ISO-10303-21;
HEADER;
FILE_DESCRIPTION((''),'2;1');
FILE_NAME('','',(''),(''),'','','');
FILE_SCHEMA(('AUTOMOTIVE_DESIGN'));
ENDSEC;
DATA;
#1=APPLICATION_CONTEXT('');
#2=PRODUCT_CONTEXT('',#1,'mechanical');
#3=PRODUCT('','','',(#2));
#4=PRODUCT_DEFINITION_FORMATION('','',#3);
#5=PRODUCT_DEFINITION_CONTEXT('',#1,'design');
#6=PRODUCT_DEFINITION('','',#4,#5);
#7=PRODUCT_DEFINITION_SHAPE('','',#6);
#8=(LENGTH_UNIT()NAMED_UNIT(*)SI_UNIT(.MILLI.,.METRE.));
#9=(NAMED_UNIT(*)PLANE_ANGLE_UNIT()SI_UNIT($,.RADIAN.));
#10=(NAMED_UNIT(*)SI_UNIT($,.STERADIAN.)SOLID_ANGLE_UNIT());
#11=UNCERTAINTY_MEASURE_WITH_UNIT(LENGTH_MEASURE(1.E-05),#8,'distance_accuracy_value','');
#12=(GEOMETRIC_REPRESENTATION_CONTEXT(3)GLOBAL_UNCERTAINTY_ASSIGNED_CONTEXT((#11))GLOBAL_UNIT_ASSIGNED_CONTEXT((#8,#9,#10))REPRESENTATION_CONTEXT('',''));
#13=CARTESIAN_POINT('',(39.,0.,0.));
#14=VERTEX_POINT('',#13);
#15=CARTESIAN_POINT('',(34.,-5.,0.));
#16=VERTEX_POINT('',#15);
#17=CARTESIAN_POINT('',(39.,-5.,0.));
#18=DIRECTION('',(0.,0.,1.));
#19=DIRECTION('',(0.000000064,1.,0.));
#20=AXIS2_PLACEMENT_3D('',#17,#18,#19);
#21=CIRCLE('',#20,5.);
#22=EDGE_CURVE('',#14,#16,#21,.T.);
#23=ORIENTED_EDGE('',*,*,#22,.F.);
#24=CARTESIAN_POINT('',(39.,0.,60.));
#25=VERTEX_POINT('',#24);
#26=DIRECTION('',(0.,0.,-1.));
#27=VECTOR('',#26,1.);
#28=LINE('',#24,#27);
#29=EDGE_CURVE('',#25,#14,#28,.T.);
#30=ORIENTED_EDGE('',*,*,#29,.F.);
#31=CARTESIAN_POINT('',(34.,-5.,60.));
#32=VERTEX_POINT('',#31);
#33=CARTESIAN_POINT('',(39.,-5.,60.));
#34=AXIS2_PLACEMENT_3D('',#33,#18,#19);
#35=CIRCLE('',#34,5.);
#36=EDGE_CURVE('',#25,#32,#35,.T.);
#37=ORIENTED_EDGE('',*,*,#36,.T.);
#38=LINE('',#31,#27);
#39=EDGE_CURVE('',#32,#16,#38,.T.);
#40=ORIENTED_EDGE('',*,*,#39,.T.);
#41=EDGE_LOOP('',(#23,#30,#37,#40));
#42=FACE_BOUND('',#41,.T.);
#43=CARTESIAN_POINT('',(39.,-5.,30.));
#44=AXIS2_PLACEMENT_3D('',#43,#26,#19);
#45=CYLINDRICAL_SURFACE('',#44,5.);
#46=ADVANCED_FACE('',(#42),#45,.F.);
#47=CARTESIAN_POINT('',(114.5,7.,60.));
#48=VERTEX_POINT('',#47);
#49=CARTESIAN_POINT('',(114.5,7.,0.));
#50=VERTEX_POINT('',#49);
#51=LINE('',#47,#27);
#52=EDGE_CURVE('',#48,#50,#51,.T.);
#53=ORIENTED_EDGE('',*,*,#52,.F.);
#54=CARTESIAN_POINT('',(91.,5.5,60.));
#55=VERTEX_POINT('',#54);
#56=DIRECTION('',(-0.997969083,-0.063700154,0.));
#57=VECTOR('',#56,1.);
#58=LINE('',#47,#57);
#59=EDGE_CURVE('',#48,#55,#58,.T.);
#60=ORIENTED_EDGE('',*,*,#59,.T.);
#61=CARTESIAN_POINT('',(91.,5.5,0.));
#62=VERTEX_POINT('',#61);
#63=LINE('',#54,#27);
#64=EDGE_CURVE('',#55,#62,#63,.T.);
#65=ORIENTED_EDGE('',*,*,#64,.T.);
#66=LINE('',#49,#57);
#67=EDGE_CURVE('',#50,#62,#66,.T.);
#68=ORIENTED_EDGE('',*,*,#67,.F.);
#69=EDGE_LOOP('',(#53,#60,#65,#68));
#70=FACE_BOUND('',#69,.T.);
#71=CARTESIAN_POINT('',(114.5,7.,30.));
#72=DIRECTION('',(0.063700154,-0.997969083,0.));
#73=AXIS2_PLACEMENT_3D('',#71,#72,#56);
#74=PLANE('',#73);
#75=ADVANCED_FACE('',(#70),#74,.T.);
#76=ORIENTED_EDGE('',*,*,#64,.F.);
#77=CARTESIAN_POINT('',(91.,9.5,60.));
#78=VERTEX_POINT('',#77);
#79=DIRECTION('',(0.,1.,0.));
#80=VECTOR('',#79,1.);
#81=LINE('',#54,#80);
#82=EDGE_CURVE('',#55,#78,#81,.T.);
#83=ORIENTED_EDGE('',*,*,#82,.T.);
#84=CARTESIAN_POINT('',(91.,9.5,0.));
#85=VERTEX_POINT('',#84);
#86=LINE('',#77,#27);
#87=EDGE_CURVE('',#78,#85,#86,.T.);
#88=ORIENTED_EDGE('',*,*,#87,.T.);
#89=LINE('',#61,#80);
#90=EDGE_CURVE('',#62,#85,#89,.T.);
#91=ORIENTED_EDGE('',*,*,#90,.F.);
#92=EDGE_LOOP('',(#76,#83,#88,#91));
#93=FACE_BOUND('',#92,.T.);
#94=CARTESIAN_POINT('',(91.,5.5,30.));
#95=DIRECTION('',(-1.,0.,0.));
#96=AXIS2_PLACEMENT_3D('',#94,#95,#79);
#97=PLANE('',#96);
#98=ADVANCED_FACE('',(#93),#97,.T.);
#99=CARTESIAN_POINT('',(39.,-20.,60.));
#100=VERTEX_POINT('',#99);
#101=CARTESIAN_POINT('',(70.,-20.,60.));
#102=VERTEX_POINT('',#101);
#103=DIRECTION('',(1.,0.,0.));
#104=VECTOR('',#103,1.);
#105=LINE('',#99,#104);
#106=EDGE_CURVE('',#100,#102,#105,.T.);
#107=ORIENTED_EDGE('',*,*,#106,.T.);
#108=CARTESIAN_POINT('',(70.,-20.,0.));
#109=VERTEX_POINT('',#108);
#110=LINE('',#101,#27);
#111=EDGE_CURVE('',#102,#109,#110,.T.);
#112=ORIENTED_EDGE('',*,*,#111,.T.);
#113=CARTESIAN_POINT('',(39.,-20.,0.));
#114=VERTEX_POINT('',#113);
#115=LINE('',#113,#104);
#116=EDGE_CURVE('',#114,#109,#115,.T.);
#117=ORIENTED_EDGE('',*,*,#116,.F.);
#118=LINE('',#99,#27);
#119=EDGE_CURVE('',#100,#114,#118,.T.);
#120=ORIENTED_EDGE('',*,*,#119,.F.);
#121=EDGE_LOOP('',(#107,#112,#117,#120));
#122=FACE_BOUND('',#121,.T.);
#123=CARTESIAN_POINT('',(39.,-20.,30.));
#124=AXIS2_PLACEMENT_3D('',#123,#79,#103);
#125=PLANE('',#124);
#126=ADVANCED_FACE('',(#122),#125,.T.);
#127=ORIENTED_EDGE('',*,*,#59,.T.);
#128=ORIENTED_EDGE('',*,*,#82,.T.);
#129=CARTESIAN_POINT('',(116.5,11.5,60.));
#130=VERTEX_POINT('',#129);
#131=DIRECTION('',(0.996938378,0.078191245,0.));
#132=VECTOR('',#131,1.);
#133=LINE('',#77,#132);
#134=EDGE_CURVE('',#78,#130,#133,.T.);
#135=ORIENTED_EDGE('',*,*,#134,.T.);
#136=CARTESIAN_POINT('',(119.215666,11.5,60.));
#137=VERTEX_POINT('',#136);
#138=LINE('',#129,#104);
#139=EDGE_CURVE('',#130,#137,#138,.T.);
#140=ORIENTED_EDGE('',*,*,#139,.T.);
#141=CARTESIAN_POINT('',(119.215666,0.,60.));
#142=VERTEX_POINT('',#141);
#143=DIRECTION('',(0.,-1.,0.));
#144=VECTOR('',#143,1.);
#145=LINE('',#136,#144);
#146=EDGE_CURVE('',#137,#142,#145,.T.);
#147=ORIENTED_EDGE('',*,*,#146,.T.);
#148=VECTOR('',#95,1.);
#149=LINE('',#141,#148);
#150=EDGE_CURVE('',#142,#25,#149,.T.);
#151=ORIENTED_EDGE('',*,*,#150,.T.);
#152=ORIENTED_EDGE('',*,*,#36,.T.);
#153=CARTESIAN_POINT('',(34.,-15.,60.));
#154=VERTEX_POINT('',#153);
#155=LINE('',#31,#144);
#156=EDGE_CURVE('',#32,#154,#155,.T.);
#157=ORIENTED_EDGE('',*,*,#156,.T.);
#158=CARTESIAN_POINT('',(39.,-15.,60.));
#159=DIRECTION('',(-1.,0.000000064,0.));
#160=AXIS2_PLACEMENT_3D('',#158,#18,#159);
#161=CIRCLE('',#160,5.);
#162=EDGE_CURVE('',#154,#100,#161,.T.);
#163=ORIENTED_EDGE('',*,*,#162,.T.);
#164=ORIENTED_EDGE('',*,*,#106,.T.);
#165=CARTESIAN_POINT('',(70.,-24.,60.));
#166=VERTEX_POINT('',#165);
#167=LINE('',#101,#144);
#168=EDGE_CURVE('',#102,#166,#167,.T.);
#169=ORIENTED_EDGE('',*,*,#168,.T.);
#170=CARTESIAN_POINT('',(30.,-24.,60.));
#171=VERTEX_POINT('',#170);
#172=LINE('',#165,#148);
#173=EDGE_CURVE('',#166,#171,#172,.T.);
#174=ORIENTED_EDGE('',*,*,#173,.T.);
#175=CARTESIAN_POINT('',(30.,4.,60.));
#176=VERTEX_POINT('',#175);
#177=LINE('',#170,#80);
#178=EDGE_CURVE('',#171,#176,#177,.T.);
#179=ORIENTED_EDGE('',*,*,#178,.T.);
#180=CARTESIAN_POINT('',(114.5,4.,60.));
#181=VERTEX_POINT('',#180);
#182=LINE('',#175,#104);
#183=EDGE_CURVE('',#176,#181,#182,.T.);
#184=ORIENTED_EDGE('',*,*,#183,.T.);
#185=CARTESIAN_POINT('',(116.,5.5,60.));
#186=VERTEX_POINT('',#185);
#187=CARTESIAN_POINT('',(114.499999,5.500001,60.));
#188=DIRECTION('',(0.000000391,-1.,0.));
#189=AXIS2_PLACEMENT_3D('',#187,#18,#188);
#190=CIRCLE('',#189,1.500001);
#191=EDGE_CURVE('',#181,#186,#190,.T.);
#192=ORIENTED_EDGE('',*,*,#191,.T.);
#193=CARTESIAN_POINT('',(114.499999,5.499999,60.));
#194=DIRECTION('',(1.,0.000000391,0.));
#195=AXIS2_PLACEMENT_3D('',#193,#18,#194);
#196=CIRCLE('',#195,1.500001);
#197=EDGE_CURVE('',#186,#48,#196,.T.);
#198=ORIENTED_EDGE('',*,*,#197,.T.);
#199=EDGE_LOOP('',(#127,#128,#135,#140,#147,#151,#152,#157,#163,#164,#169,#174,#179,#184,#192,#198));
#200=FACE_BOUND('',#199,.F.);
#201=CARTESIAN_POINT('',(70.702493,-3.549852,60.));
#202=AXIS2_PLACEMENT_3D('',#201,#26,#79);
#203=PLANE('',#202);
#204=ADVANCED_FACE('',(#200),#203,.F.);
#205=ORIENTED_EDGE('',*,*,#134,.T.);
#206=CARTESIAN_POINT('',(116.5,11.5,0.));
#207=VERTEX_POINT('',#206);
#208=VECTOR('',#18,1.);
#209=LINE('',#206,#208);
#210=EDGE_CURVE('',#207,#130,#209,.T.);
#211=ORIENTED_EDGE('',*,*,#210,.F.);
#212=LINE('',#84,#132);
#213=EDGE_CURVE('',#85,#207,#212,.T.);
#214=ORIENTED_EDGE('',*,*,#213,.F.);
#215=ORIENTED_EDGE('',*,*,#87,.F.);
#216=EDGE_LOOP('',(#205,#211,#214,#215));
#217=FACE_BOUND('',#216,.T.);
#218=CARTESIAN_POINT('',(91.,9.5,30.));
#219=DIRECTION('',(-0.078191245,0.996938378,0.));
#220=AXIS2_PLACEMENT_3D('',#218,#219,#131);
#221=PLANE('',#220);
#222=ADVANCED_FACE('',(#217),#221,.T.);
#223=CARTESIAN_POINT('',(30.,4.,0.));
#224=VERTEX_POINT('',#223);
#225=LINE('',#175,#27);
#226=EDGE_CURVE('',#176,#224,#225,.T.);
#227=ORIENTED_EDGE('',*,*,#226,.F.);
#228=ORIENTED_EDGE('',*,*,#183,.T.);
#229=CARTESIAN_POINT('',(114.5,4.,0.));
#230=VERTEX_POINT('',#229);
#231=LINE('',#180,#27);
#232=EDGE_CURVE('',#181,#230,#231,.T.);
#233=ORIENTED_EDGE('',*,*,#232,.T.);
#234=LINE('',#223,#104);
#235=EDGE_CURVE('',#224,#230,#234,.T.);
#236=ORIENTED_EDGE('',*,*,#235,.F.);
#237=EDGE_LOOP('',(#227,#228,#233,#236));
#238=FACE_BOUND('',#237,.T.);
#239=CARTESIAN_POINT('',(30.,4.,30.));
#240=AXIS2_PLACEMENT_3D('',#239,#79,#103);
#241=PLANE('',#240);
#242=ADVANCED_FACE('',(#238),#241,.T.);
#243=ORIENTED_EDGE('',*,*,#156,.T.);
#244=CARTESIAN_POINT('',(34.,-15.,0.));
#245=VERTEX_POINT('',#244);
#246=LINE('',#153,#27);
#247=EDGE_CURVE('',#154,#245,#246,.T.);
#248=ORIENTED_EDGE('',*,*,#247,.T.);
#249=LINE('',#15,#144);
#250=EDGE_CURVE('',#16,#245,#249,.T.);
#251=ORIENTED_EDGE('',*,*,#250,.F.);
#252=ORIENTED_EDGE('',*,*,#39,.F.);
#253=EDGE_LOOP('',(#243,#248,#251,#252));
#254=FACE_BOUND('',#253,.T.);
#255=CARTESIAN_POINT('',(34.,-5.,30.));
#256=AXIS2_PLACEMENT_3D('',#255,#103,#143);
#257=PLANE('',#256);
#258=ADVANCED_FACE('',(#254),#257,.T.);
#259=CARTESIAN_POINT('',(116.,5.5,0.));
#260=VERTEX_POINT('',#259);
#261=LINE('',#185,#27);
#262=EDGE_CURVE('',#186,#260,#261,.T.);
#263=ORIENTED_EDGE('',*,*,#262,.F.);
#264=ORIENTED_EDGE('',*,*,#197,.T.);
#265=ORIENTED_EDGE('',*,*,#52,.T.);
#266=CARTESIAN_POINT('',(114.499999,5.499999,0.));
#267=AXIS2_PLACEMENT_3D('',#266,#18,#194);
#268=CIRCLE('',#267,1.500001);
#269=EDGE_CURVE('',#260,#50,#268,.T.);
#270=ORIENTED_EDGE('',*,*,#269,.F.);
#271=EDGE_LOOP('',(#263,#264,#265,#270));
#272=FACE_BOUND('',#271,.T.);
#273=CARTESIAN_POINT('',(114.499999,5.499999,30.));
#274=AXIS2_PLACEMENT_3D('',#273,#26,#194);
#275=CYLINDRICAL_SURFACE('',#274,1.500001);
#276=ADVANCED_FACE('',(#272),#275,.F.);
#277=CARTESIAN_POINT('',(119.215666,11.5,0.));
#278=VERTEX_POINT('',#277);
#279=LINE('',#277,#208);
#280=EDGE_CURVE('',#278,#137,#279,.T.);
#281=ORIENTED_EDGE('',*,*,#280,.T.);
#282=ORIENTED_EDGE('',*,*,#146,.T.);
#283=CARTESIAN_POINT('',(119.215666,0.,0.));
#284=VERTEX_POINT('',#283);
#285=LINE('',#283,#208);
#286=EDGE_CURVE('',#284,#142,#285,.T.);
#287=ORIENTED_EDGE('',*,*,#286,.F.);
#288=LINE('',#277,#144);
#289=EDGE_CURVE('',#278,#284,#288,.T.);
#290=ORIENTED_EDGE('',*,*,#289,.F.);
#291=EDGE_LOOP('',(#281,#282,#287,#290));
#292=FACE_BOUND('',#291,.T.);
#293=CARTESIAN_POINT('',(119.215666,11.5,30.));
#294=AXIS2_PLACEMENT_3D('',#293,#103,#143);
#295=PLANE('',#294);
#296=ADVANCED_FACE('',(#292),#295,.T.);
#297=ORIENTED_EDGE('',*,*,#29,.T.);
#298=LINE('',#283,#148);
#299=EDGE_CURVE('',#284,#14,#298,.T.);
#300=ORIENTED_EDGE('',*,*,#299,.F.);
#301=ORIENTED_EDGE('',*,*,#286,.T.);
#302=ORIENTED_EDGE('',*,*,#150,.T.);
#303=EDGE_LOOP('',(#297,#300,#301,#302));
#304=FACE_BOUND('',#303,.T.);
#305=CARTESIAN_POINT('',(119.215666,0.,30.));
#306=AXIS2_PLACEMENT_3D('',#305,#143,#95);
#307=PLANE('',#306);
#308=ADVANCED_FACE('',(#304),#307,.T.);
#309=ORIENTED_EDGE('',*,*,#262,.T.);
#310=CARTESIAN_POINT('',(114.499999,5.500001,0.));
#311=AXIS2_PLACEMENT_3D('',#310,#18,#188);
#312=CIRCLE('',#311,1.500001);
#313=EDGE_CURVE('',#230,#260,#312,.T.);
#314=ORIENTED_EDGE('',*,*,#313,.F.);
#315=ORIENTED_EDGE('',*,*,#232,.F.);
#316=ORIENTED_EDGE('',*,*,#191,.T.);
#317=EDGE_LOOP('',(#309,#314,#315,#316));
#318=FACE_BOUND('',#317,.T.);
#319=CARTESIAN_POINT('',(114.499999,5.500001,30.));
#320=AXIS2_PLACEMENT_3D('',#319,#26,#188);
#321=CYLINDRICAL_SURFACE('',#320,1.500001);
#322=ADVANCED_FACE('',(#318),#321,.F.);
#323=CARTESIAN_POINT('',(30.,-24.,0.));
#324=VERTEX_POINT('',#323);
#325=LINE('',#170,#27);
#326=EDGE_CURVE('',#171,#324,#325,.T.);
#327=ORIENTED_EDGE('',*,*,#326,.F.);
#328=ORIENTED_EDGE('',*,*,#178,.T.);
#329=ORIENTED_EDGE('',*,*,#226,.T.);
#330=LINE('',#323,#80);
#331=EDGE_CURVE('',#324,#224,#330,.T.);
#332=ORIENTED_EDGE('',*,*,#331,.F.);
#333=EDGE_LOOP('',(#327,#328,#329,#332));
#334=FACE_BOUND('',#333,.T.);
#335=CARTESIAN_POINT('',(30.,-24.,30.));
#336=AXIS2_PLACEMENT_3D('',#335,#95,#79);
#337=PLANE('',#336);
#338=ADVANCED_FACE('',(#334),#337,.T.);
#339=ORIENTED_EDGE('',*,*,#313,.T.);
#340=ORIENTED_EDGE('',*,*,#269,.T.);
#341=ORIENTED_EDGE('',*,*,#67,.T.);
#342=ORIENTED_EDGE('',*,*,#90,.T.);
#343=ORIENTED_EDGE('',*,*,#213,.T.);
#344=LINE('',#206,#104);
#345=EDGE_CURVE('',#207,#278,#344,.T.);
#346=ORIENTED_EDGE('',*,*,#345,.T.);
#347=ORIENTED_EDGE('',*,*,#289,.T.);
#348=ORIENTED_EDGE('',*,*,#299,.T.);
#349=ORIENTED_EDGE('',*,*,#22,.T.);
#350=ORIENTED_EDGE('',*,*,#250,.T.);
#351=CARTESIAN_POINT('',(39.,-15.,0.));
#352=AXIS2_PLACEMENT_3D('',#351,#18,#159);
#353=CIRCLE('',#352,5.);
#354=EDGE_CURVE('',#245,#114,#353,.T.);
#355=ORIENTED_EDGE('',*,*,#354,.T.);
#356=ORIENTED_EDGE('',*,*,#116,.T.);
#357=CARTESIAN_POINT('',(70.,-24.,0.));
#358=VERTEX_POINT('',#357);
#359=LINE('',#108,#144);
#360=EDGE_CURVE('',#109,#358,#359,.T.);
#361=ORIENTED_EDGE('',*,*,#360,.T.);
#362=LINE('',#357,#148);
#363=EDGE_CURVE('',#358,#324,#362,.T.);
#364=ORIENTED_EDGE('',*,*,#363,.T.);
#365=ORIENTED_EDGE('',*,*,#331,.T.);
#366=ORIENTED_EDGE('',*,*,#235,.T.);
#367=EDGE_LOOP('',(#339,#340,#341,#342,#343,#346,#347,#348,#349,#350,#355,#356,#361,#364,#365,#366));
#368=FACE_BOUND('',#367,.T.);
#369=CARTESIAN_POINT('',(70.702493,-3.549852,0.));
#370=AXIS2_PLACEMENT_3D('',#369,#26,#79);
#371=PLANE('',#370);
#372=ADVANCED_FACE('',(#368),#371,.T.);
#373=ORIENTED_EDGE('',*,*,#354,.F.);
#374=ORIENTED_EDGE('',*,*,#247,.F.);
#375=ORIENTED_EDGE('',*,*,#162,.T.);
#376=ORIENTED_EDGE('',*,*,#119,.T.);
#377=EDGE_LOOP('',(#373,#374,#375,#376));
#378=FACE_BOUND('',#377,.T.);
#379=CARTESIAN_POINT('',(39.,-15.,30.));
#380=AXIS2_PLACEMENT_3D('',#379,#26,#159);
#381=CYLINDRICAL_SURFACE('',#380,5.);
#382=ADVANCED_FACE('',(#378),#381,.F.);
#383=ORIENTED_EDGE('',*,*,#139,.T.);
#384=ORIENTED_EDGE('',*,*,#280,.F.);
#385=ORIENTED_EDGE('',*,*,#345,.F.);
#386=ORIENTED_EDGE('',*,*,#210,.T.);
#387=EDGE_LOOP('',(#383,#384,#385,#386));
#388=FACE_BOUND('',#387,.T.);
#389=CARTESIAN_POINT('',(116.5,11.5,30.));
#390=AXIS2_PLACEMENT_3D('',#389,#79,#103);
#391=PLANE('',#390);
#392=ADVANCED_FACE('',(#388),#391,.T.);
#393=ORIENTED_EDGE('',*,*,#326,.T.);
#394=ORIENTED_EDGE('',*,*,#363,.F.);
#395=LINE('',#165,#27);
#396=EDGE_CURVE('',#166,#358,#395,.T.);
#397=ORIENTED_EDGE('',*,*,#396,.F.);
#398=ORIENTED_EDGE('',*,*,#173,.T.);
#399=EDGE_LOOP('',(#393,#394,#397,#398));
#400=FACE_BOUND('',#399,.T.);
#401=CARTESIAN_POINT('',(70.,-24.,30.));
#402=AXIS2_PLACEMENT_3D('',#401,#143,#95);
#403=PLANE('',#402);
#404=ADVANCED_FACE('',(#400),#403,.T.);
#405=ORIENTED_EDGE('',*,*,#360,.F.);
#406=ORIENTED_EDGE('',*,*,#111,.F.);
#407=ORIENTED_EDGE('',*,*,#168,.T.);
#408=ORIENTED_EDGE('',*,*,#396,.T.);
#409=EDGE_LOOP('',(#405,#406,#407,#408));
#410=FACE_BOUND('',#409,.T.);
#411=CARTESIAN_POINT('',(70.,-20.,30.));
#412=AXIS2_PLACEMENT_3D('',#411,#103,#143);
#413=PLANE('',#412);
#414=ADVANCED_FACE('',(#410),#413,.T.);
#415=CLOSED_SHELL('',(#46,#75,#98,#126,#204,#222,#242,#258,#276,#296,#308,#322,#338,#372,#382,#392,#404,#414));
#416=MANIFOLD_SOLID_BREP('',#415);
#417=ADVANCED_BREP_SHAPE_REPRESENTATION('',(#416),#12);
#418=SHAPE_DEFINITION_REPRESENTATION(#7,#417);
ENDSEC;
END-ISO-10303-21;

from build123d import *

# Parameters (mm, degrees)
F1_DEPTH      = 30
F1_DEPTH_BACK = 30
F2_ANGLE      = 90


with BuildPart() as f1:
    # F0 (on Right) → F1 (new body, two sides)
    with BuildSketch(Plane.YZ) as f1_sk:
        with BuildLine():
            Line((0, 89.215666), (0, 9))
            ThreePointArc((0, 9), (-1.464466, 5.464466), (-5, 4))
            Line((-5, 4), (-15, 4))
            ThreePointArc((-15, 4), (-18.535534, 5.464466), (-20, 9))
            Line((-20, 9), (-20, 40))
            Line((-20, 40), (-24, 40))
            Line((-24, 40), (-24, 0))
            Line((-24, 0), (0, 0))
            Line((0, 0), (4, 0))
            Line((4, 0), (4, 84.5))
            ThreePointArc((4, 84.5), (4.43934, 85.56066), (5.5, 86))
            ThreePointArc((5.5, 86), (6.56066, 85.56066), (7, 84.5))
            Line((7, 84.5), (5.5, 61))
            Line((5.5, 61), (9.5, 61))
            Line((9.5, 61), (11.5, 86.5))
            Line((11.5, 86.5), (11.5, 89.215666))
            Line((11.5, 89.215666), (0, 89.215666))
        make_face()
    extrude(amount=F1_DEPTH)
    extrude(f1_sk.sketch, amount=-F1_DEPTH_BACK)


with BuildPart() as f1_1:
    # F2: moved
    add(f1.part.rotate(Axis((30, -10, 0), (0, 1, 0)), F2_ANGLE))


solid = f1_1.part
